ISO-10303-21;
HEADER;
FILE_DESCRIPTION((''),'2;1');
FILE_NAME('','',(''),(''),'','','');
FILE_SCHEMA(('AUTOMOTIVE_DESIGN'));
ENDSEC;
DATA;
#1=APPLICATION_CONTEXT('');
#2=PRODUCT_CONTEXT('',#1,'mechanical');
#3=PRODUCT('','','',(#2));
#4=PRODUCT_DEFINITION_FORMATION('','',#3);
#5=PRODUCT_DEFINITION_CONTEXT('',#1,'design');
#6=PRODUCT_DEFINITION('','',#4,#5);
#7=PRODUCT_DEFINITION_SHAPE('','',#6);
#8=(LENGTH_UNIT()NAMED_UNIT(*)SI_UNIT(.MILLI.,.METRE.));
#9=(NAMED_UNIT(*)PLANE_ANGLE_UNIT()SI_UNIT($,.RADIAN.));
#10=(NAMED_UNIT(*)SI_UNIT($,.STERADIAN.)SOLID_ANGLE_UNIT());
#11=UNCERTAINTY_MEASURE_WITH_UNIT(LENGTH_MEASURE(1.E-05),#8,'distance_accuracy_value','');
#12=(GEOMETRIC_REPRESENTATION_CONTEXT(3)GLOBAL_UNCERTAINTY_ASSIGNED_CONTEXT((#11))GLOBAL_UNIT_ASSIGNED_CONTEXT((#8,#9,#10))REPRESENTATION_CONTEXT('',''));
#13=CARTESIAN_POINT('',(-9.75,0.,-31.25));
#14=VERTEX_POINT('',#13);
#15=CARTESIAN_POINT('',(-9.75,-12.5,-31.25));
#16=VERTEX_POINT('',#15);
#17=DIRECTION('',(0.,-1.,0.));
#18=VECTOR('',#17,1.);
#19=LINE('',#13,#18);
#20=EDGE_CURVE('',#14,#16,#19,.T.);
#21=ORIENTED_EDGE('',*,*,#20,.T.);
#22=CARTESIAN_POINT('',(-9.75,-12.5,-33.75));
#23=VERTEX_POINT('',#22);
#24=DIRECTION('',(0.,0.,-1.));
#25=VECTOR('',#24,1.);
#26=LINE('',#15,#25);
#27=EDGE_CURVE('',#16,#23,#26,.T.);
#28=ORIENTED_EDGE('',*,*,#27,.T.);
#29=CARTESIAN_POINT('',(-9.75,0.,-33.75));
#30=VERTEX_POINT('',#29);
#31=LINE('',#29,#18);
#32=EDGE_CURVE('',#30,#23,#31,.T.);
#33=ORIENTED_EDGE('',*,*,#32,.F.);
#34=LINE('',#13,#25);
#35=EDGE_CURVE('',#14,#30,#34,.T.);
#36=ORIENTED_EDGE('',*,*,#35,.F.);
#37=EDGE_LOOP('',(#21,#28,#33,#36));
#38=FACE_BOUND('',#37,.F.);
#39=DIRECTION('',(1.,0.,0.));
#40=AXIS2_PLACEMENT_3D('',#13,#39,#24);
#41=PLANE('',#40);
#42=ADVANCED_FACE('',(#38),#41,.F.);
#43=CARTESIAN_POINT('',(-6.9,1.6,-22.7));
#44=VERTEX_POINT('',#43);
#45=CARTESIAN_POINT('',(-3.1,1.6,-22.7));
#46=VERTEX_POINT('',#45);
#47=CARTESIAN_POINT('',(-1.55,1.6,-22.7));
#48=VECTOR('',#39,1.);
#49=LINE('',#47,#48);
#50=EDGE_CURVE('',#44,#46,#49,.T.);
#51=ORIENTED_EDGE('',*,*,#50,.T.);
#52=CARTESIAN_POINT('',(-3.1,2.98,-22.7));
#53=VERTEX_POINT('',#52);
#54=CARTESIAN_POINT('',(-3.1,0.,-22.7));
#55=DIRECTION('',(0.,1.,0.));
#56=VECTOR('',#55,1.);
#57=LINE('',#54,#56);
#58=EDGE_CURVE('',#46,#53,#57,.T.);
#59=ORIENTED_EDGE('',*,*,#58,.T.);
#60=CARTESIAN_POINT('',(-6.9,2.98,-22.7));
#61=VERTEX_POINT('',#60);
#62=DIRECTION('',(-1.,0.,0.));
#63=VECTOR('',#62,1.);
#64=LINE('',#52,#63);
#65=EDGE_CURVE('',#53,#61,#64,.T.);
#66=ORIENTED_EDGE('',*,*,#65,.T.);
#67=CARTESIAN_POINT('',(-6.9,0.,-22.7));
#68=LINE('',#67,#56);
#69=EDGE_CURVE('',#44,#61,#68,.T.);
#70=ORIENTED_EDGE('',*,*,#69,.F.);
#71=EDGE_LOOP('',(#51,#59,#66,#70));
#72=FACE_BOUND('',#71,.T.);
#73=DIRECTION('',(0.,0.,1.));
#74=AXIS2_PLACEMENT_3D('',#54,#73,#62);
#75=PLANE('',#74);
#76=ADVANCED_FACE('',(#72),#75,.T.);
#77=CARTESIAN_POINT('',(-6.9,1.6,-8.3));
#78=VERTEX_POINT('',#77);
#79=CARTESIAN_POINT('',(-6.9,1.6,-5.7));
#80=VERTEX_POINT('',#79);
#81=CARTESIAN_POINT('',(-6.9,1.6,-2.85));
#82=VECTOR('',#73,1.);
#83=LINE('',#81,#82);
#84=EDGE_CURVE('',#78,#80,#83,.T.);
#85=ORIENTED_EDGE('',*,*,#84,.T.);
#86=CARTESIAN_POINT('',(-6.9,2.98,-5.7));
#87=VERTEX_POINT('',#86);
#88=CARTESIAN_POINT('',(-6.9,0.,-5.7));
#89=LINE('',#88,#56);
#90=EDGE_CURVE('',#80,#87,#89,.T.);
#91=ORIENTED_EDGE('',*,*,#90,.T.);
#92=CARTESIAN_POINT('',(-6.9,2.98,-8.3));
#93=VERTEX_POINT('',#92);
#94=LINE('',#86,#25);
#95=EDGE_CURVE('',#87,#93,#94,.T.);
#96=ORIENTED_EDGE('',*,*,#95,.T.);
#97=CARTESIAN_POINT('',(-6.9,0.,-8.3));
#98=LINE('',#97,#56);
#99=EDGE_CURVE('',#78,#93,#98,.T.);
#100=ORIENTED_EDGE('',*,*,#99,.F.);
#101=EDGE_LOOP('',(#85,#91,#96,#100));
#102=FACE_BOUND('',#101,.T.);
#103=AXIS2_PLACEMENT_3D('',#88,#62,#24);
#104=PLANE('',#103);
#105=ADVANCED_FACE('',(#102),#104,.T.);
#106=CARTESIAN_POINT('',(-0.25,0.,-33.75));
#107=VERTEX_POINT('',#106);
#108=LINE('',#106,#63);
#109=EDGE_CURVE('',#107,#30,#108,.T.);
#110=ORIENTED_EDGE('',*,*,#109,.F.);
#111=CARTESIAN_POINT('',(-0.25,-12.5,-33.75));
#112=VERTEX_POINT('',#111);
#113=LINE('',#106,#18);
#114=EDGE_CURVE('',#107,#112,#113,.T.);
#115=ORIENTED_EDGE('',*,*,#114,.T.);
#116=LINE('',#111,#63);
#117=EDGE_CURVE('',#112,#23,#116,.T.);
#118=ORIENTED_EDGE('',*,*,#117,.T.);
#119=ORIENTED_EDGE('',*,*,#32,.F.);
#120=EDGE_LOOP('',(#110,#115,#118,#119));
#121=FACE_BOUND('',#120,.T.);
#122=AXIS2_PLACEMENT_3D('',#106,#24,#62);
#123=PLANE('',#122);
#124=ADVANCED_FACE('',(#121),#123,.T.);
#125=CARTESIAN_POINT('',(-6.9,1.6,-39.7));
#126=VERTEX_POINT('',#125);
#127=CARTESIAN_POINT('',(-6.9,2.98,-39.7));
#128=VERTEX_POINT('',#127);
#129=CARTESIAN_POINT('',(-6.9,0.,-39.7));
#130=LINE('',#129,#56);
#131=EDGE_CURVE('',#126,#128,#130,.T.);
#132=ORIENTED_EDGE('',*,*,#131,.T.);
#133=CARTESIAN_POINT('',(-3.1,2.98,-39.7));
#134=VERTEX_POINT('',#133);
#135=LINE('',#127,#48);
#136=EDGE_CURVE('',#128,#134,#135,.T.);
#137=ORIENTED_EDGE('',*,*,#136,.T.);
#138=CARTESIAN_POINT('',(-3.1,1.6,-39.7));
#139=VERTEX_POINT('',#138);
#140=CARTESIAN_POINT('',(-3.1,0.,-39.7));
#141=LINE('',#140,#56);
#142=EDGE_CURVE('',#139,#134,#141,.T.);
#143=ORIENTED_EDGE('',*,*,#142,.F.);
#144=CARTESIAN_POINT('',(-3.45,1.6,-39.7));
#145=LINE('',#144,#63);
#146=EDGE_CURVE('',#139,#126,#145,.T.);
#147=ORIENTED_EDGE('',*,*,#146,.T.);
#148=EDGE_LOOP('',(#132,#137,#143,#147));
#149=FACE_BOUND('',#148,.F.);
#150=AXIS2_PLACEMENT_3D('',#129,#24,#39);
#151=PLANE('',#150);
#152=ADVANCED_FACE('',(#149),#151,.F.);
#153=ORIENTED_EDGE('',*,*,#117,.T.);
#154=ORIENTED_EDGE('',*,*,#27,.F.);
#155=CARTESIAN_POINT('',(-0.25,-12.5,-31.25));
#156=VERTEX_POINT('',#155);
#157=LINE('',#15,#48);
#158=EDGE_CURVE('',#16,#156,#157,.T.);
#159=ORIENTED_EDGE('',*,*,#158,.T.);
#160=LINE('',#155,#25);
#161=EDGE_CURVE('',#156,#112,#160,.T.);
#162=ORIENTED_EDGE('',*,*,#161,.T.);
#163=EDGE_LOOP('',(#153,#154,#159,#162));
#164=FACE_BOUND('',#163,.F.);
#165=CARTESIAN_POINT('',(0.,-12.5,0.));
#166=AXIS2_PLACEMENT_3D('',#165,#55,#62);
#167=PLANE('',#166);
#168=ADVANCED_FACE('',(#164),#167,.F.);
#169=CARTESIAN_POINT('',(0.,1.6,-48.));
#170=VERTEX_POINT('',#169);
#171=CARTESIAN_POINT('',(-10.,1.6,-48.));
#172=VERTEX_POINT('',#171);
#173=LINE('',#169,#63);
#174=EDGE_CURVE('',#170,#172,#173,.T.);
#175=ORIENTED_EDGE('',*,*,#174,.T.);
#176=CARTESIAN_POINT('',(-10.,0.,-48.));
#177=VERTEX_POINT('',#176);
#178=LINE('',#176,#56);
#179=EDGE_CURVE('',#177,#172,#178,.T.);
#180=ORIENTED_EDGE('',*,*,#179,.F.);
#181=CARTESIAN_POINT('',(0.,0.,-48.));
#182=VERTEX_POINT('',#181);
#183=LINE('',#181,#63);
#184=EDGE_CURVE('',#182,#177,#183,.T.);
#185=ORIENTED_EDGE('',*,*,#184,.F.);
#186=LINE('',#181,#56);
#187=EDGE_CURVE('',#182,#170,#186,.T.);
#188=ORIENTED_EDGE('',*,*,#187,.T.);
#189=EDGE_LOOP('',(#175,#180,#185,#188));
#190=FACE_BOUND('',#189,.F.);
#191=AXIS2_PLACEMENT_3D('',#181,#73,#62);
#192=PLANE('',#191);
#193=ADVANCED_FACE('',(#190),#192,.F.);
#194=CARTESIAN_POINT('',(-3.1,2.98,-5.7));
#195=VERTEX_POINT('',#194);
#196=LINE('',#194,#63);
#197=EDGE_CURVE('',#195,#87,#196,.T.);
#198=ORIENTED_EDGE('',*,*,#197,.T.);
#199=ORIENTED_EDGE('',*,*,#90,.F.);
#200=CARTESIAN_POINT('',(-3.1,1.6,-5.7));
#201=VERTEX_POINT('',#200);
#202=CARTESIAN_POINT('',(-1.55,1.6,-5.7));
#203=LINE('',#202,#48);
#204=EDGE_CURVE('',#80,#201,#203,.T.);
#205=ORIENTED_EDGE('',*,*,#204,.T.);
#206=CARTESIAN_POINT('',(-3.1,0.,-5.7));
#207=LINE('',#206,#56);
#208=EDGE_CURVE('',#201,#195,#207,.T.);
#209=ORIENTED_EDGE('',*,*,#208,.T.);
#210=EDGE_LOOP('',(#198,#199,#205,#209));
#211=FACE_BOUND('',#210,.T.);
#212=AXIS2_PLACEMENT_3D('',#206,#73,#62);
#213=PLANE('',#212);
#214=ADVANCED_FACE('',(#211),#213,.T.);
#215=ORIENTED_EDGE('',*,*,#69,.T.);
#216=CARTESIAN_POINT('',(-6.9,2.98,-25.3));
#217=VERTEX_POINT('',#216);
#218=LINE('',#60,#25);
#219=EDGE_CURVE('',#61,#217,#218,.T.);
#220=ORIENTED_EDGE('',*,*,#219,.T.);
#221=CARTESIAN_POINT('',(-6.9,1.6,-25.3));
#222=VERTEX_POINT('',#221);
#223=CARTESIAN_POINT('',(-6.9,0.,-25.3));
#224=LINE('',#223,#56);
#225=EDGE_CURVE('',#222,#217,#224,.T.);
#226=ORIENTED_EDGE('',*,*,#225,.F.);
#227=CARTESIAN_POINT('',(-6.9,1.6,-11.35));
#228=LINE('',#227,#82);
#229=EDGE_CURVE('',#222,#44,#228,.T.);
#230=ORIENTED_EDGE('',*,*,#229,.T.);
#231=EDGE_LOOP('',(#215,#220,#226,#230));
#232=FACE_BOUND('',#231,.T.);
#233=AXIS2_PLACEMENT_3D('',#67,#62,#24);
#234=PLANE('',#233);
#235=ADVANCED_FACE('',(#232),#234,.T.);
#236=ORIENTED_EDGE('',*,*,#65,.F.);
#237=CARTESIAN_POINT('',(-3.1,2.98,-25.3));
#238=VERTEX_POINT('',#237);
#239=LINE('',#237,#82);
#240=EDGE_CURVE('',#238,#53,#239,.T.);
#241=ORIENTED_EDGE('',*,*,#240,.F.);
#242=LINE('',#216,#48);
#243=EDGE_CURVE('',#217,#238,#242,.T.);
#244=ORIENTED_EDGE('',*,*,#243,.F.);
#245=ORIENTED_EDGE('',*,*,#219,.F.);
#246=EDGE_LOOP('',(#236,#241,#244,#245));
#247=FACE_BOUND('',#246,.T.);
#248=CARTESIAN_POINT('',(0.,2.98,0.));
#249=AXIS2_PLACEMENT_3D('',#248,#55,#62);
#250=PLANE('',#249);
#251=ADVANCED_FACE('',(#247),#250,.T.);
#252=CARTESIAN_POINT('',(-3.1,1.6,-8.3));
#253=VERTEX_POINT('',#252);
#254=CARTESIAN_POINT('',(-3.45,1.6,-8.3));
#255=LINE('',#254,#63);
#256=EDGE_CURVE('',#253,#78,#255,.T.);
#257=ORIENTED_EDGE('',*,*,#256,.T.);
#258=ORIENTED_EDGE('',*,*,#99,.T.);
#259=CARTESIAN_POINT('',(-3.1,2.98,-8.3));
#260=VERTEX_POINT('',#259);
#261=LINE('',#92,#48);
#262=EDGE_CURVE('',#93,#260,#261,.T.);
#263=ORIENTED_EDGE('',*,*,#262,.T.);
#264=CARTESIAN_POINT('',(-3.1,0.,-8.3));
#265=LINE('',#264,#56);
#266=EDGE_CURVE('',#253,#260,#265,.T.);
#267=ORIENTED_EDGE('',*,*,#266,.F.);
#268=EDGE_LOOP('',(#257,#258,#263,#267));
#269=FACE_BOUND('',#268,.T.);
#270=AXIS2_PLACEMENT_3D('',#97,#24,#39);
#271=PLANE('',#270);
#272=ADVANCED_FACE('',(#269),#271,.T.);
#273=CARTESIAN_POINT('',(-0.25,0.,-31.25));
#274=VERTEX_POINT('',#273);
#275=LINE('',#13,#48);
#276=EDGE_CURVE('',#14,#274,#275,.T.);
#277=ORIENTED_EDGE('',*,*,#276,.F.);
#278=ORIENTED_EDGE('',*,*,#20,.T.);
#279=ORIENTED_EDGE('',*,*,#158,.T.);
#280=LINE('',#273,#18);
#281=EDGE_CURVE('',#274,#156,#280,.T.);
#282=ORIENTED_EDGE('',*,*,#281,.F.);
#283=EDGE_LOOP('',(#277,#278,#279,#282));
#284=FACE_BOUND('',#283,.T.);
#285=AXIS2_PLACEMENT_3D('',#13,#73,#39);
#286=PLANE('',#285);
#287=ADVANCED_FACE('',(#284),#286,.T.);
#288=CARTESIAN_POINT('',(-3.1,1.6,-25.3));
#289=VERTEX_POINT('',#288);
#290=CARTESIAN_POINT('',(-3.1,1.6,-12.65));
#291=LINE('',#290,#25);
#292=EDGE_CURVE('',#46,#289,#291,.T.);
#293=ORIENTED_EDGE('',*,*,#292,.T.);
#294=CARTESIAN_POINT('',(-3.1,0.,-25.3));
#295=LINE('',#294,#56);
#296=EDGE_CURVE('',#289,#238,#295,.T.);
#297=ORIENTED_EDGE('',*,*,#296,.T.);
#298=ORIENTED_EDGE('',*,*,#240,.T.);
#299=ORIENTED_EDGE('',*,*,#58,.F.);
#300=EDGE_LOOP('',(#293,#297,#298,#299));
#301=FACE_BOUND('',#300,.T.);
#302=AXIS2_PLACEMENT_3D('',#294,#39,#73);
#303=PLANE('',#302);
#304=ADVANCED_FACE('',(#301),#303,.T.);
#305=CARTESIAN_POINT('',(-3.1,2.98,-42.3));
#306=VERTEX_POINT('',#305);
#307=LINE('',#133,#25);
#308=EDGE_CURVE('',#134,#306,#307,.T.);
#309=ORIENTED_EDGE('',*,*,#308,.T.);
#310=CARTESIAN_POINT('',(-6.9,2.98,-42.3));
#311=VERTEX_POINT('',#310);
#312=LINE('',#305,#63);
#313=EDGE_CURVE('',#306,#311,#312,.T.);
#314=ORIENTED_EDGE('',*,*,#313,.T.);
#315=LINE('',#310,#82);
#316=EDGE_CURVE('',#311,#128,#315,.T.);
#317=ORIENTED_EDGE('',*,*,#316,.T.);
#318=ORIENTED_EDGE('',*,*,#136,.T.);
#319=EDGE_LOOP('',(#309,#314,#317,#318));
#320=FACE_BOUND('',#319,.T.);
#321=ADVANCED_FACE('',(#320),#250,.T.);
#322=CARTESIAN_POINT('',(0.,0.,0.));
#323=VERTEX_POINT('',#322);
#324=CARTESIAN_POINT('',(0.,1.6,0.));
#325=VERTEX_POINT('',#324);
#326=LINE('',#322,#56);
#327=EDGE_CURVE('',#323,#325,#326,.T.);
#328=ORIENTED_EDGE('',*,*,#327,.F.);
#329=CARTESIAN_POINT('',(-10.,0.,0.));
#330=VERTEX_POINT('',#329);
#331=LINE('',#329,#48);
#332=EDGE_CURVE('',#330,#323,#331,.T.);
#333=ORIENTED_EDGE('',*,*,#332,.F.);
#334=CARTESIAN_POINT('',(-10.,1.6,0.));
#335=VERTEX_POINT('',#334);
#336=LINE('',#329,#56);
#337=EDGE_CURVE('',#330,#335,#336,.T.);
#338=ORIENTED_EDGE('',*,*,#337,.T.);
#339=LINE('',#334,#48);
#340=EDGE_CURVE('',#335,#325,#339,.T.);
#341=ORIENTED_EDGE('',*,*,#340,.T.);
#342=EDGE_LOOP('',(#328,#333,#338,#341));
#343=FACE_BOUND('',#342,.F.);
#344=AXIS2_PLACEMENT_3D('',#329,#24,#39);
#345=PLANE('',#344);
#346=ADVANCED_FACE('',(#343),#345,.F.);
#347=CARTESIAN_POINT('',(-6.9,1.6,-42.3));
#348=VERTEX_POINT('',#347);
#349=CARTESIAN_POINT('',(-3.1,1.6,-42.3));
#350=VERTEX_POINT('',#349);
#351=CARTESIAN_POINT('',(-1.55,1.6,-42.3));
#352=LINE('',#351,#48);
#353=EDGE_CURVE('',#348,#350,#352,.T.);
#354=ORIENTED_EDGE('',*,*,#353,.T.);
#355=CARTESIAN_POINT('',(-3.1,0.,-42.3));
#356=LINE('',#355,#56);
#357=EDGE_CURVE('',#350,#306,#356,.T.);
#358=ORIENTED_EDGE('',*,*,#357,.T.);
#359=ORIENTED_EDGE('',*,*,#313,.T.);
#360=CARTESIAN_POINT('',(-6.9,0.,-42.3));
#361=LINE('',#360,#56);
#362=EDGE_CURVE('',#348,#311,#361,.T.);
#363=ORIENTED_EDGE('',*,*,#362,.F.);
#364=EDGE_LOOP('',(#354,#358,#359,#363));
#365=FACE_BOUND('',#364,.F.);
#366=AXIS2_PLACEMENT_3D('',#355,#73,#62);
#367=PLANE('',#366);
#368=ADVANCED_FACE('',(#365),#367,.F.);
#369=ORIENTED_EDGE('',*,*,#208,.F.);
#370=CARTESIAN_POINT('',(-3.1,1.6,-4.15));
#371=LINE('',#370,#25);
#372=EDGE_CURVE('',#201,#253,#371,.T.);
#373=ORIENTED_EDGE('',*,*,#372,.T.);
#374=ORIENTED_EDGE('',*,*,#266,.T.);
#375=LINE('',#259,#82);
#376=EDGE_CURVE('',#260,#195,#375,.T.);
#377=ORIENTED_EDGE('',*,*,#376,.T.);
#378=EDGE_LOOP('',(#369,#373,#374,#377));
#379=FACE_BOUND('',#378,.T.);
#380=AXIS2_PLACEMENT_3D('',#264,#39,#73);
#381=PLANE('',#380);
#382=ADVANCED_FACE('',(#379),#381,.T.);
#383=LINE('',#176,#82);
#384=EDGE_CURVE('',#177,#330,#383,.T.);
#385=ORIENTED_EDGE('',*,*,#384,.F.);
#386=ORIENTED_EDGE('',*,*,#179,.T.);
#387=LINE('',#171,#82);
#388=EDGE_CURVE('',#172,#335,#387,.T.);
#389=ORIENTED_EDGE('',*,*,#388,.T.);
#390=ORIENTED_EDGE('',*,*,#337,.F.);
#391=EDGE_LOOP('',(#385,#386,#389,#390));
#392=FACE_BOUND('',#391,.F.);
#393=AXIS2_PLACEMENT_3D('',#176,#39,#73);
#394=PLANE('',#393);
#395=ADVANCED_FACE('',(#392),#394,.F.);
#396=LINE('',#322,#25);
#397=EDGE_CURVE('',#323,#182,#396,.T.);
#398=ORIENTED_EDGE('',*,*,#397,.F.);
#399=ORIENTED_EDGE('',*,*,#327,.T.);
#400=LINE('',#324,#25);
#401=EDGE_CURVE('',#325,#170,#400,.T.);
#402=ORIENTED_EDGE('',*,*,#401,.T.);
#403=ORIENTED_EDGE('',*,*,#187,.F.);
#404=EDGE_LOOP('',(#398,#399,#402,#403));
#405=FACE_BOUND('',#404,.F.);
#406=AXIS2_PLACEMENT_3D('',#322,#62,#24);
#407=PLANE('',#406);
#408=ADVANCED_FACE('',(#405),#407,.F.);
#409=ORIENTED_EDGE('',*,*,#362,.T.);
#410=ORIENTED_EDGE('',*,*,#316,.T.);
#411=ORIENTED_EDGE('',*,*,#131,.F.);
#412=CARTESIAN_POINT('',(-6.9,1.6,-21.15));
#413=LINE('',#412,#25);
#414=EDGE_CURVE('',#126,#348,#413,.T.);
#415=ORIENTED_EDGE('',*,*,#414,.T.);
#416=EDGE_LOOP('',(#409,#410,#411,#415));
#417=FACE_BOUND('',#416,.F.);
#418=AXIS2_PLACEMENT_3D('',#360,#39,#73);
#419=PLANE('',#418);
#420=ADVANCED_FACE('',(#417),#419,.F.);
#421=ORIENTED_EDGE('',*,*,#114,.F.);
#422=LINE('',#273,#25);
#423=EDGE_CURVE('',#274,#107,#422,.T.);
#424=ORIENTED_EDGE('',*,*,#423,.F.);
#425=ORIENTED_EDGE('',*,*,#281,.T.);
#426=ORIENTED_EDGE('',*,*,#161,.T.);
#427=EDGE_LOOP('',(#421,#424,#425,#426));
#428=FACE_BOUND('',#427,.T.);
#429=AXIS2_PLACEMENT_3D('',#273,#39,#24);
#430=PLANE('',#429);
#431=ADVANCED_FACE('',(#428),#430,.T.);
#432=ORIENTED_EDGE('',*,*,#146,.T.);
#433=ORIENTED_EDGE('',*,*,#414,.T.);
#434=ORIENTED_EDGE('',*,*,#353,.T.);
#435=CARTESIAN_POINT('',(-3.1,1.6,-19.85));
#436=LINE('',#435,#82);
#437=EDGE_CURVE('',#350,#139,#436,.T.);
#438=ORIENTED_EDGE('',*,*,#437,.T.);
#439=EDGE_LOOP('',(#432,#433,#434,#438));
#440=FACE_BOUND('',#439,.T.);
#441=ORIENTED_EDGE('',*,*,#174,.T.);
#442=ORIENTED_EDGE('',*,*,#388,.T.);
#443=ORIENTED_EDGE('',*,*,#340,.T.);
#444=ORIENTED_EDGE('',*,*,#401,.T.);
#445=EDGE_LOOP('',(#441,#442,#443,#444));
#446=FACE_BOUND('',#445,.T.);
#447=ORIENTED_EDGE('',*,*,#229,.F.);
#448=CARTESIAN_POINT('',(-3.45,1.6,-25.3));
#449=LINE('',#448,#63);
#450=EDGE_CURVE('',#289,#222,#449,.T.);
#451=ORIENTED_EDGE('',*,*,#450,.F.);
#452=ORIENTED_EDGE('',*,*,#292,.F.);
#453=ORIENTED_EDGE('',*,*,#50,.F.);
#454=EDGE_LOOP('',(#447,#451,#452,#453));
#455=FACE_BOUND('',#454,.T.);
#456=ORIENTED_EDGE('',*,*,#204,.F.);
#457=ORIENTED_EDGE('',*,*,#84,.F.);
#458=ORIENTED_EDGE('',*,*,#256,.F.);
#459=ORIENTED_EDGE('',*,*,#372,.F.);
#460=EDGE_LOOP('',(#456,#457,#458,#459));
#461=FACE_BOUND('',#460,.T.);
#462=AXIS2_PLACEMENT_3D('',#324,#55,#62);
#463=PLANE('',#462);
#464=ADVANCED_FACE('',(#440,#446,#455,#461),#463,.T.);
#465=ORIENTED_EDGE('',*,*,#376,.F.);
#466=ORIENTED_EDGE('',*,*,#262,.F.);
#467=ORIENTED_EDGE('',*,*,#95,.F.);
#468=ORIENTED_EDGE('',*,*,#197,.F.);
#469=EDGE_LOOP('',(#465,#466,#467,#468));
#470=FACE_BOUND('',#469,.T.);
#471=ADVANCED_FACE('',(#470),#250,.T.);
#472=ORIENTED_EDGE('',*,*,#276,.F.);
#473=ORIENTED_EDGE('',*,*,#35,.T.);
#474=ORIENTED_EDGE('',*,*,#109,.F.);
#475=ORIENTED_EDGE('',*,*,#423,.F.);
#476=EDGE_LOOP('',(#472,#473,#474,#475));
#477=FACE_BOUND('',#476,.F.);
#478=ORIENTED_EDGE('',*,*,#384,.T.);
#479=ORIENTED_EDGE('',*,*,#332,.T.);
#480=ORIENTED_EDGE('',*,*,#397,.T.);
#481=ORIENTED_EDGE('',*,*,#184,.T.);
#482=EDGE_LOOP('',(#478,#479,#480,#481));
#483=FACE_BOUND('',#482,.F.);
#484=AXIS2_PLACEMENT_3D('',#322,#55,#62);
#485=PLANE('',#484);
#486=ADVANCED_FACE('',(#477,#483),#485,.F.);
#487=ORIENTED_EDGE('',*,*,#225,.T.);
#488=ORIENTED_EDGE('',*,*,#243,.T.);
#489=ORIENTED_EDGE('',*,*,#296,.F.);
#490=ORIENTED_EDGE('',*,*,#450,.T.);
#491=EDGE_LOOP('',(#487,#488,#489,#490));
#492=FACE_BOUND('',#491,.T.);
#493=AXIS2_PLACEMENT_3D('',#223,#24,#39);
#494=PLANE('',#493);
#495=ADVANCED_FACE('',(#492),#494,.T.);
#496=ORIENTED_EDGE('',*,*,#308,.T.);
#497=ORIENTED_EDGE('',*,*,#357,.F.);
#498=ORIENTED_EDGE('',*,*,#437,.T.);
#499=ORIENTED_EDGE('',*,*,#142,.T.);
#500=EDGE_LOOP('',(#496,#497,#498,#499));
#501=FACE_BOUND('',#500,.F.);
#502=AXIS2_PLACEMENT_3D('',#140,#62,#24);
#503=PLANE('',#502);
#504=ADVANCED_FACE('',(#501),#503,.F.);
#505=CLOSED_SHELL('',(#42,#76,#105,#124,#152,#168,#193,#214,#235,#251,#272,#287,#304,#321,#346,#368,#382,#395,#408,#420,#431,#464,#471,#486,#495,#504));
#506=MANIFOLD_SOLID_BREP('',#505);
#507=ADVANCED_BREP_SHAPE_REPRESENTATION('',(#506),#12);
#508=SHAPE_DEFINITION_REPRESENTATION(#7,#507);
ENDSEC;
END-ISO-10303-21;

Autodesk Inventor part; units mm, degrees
ref_plane "YZ Plane" through (0, 0, 0) normal (1, 0, 0) x (0, 1, 0)
ref_plane "XZ Plane" through (0, 0, 0) normal (0, 1, 0) x (-1, 0, 0)
ref_plane "XY Plane" through (0, 0, 0) normal (0, 0, 1) x (1, 0, 0)
sketch "Sketch2" plane through (0, 0, 0) normal (0, 1, 0) x (-1, 0, 0)
  line L0 (10, 0) -> (0, 0)
  line L1 (0, 0) -> (0, -48)
  line L2 (0, -48) -> (10, -48)
  line L3 (10, -48) -> (10, 0)
  line L4 (6.9, -8.3) -> (3.1, -8.3)
  line L5 (3.1, -8.3) -> (3.1, -5.7)
  line L6 (3.1, -5.7) -> (6.9, -5.7)
  line L7 (6.9, -5.7) -> (6.9, -8.3)
  line L8 (6.9, -39.7) -> (3.1, -39.7)
  line L9 (3.1, -39.7) -> (3.1, -42.3)
  line L10 (3.1, -42.3) -> (6.9, -42.3)
  line L11 (6.9, -42.3) -> (6.9, -39.7)
  line L12 (3.1, -22.7) -> (6.9, -22.7)
  line L13 (3.1, -25.3) -> (3.1, -22.7)
  line L14 (6.9, -25.3) -> (3.1, -25.3)
  line L15 (6.9, -22.7) -> (6.9, -25.3)
  line L16 (23.6892, -32.5) -> (-2.3247, -32.5) construction
  line L17 (5, -54.7987) -> (5, -48.1542) construction
  line L18 (5, 9.3713) -> (5, -46.1174) construction
  line L19 (11.7769, -7) -> (1.25, -7) construction
  line L20 (11.7769, -24) -> (1.25, -24) construction
  line L21 (11.7769, -41) -> (1.25, -41) construction
  line L22 (9.75, -31.25) -> (0.25, -31.25)
  line L23 (0.25, -33.75) -> (9.75, -33.75)
  line L24 (9.75, -31.25) -> (9.75, -33.75)
  line L25 (0.25, -31.25) -> (0.25, -33.75)
  dimension "d0" = 10
  dimension "d1" = 48
  dimension "d13" = 3.8
  dimension "d14" = 2.6
  dimension "d40" = 5
  dimension "d49" = 15.5
  dimension "d50" = 7
  dimension "d51" = 24
  dimension "d52" = 41
  dimension "d53" = 2.5
  dimension "d54" = 9.5
extrude "Extrusion1" add sketch "Sketch2" along normal blind 1.6 contours L3 L2 L1 L0 | L4 L5 L6 L7 | L11 L10 L9 L8 | L12 L15 L14 L13 | L24 L23 L25 L22
extrude "Extrusion4" add sketch "Sketch2" along normal blind 2.98 contours L4 L5 L6 L7 | L11 L10 L9 L8 | L12 L15 L14 L13
sketch "Sketch3" plane through (0, 2.98, 0) normal (0, 1, 0) x (1, 0, 0)
  line L0 (-3.1, 25.3) -> (-6.9, 25.3) construction
  line L1 (-6.9, 22.7) -> (-3.1, 22.7) construction
  point P0 (0, 0)
  point P1 (-5.1459, 24.0493)
extrude "Extrusion5" add sketch "Sketch2" against normal blind 12.5 contours L24 L23 L25 L22
properties part number "Sensor_Board_dummy"
